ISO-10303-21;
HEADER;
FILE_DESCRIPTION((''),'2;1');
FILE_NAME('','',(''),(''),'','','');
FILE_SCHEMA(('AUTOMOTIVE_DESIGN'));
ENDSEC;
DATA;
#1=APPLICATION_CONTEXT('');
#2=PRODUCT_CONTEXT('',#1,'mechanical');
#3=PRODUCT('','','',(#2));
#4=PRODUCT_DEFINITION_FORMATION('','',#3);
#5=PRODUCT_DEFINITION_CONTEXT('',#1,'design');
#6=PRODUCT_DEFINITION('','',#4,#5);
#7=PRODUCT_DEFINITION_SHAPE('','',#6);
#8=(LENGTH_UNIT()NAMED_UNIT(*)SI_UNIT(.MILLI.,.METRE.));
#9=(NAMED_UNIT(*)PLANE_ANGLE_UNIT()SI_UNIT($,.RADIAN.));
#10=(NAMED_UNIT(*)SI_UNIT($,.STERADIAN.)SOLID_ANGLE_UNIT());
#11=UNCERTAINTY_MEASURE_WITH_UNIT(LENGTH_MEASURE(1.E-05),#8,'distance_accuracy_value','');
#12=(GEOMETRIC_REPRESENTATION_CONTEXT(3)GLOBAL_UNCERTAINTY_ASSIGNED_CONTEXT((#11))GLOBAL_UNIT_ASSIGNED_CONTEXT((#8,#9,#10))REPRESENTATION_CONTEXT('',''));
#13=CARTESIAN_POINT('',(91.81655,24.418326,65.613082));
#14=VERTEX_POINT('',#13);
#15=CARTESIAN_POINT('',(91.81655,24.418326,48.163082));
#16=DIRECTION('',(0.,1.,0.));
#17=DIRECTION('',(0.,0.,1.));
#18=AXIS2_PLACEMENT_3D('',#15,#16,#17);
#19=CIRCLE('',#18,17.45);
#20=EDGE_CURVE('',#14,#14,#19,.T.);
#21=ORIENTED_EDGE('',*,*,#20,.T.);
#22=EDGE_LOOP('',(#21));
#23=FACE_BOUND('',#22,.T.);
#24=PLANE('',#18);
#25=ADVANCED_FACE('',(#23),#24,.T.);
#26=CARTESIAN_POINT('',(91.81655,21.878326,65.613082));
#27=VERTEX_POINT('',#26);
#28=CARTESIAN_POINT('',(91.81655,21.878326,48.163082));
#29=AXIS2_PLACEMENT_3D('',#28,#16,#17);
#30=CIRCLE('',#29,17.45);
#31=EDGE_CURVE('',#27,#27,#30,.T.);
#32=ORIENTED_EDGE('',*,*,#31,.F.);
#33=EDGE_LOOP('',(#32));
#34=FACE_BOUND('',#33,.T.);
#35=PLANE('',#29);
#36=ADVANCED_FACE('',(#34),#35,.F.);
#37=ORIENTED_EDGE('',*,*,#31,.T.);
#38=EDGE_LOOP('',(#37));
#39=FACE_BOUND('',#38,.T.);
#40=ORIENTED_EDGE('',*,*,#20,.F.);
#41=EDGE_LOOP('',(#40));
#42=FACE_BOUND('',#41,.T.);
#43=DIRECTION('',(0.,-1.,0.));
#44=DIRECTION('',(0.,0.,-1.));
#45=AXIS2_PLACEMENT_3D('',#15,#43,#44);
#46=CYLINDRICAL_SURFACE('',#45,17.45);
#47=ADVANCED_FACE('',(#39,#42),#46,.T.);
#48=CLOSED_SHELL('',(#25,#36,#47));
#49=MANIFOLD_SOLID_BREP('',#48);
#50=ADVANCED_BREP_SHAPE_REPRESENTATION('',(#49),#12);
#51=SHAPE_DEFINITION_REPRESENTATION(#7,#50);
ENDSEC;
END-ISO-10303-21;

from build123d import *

# Parameters (mm, degrees)
SKETCH1_R           = 17.45
BOSS_EXTRUDE1_DEPTH = 2.54


with BuildPart() as part:
    # Sketch1 → Boss-Extrude1 (new body)
    with BuildSketch(Plane(origin=(0, 21.878326304, 0), x_dir=(1, 0, 0), z_dir=(0, 1, 0))):
        with Locations((91.816549827, -48.163081659)):
            Circle(SKETCH1_R)
    extrude(amount=BOSS_EXTRUDE1_DEPTH)


solid = part.part
